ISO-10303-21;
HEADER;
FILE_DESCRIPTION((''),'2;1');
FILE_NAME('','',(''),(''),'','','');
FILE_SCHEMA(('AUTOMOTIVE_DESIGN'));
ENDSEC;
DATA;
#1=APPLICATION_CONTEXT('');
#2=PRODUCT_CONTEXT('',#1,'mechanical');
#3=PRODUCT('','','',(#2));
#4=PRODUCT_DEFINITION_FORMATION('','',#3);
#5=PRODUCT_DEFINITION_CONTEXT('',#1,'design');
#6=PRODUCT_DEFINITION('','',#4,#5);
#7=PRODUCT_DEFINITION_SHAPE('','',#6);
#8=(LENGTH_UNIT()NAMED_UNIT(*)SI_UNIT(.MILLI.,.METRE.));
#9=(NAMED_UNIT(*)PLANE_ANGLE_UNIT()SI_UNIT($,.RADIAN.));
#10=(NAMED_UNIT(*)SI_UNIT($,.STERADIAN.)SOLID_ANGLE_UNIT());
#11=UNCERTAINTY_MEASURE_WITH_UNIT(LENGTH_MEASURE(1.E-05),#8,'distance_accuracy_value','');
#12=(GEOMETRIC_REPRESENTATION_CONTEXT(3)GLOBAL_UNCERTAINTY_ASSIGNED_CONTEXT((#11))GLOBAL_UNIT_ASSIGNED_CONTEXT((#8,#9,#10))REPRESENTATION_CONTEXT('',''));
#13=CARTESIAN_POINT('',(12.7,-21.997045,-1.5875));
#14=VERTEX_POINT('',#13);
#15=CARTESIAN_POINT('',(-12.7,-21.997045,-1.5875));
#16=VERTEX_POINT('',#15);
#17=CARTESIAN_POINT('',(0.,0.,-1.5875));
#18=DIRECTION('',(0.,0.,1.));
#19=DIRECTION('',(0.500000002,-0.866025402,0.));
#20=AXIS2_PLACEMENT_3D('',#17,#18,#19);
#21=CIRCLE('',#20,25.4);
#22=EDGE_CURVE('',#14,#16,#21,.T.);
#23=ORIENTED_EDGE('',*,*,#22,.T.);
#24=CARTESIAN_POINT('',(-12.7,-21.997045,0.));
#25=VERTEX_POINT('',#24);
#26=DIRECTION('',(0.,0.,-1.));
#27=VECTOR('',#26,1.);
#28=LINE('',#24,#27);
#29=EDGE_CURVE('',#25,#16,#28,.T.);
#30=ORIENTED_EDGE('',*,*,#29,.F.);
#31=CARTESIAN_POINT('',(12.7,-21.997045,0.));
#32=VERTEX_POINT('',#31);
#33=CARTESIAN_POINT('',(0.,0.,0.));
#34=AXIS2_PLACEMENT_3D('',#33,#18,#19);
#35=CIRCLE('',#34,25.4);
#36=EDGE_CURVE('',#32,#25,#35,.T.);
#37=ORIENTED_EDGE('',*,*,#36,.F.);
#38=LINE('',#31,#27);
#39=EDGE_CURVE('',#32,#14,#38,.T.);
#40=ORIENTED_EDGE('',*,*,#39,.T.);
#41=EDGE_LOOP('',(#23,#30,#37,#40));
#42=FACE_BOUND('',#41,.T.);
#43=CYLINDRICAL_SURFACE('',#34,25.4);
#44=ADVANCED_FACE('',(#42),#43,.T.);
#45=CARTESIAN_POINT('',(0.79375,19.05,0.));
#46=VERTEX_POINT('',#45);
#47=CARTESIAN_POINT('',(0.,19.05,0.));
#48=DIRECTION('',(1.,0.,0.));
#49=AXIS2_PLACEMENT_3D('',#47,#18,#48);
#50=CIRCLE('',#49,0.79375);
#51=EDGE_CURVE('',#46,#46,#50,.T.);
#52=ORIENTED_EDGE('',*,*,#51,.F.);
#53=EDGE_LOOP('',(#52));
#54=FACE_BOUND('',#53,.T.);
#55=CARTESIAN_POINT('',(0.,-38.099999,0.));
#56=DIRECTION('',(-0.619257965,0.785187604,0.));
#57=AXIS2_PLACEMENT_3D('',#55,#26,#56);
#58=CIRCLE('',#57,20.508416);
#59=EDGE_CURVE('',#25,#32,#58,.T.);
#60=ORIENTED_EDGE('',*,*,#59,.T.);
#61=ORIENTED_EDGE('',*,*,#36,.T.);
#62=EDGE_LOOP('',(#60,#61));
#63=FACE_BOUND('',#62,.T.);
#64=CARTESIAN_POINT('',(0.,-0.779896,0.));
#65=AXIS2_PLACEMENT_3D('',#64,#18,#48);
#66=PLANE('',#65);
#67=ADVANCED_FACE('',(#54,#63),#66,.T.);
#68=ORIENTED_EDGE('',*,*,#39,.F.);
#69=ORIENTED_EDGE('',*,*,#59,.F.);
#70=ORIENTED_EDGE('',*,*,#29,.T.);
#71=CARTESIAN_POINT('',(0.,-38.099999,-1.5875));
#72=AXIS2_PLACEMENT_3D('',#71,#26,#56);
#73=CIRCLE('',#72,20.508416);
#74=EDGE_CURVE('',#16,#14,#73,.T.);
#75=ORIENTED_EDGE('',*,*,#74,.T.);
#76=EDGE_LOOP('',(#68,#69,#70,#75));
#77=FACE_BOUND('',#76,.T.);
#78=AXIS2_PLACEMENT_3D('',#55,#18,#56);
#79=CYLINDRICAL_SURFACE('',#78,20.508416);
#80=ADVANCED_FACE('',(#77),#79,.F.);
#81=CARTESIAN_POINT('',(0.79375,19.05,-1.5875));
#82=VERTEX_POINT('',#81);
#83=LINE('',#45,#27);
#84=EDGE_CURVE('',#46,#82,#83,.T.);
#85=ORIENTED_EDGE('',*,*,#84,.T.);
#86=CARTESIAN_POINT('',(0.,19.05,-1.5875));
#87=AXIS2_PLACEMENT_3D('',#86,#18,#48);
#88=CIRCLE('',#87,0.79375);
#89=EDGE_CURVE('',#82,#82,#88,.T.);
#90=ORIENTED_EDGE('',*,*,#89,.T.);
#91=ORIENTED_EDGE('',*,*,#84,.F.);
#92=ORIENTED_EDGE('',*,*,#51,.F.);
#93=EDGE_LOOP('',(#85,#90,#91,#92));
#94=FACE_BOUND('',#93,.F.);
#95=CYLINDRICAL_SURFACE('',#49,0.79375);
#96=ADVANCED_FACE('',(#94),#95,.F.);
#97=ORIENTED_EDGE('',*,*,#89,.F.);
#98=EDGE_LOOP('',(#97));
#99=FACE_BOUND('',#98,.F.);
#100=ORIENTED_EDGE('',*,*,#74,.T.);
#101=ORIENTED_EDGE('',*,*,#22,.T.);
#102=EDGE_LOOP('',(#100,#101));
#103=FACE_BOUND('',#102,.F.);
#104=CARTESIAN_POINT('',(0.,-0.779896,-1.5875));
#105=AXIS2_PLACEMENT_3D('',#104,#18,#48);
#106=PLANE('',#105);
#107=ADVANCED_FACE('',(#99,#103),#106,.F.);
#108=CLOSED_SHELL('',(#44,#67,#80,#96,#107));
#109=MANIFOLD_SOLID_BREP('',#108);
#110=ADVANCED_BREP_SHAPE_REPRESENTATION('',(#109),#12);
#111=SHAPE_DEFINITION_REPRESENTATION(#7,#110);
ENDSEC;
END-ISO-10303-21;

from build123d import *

# Parameters (mm, degrees)
F0_R     = 0.79375
F1_DEPTH = 1.5875


with BuildPart() as f1:
    # F0 (on Top) → F1 (new body)
    with BuildSketch(Plane.XY):
        with BuildLine():
            ThreePointArc((-12.7, -21.997045), (0, -17.591583), (12.7, -21.997045))
            ThreePointArc((12.7, -21.997045), (0, 25.4), (-12.7, -21.997045))
        make_face()
        with Locations((0, 19.05)):
            Circle(F0_R, mode=Mode.SUBTRACT)
    extrude(amount=-F1_DEPTH)


solid = f1.part
